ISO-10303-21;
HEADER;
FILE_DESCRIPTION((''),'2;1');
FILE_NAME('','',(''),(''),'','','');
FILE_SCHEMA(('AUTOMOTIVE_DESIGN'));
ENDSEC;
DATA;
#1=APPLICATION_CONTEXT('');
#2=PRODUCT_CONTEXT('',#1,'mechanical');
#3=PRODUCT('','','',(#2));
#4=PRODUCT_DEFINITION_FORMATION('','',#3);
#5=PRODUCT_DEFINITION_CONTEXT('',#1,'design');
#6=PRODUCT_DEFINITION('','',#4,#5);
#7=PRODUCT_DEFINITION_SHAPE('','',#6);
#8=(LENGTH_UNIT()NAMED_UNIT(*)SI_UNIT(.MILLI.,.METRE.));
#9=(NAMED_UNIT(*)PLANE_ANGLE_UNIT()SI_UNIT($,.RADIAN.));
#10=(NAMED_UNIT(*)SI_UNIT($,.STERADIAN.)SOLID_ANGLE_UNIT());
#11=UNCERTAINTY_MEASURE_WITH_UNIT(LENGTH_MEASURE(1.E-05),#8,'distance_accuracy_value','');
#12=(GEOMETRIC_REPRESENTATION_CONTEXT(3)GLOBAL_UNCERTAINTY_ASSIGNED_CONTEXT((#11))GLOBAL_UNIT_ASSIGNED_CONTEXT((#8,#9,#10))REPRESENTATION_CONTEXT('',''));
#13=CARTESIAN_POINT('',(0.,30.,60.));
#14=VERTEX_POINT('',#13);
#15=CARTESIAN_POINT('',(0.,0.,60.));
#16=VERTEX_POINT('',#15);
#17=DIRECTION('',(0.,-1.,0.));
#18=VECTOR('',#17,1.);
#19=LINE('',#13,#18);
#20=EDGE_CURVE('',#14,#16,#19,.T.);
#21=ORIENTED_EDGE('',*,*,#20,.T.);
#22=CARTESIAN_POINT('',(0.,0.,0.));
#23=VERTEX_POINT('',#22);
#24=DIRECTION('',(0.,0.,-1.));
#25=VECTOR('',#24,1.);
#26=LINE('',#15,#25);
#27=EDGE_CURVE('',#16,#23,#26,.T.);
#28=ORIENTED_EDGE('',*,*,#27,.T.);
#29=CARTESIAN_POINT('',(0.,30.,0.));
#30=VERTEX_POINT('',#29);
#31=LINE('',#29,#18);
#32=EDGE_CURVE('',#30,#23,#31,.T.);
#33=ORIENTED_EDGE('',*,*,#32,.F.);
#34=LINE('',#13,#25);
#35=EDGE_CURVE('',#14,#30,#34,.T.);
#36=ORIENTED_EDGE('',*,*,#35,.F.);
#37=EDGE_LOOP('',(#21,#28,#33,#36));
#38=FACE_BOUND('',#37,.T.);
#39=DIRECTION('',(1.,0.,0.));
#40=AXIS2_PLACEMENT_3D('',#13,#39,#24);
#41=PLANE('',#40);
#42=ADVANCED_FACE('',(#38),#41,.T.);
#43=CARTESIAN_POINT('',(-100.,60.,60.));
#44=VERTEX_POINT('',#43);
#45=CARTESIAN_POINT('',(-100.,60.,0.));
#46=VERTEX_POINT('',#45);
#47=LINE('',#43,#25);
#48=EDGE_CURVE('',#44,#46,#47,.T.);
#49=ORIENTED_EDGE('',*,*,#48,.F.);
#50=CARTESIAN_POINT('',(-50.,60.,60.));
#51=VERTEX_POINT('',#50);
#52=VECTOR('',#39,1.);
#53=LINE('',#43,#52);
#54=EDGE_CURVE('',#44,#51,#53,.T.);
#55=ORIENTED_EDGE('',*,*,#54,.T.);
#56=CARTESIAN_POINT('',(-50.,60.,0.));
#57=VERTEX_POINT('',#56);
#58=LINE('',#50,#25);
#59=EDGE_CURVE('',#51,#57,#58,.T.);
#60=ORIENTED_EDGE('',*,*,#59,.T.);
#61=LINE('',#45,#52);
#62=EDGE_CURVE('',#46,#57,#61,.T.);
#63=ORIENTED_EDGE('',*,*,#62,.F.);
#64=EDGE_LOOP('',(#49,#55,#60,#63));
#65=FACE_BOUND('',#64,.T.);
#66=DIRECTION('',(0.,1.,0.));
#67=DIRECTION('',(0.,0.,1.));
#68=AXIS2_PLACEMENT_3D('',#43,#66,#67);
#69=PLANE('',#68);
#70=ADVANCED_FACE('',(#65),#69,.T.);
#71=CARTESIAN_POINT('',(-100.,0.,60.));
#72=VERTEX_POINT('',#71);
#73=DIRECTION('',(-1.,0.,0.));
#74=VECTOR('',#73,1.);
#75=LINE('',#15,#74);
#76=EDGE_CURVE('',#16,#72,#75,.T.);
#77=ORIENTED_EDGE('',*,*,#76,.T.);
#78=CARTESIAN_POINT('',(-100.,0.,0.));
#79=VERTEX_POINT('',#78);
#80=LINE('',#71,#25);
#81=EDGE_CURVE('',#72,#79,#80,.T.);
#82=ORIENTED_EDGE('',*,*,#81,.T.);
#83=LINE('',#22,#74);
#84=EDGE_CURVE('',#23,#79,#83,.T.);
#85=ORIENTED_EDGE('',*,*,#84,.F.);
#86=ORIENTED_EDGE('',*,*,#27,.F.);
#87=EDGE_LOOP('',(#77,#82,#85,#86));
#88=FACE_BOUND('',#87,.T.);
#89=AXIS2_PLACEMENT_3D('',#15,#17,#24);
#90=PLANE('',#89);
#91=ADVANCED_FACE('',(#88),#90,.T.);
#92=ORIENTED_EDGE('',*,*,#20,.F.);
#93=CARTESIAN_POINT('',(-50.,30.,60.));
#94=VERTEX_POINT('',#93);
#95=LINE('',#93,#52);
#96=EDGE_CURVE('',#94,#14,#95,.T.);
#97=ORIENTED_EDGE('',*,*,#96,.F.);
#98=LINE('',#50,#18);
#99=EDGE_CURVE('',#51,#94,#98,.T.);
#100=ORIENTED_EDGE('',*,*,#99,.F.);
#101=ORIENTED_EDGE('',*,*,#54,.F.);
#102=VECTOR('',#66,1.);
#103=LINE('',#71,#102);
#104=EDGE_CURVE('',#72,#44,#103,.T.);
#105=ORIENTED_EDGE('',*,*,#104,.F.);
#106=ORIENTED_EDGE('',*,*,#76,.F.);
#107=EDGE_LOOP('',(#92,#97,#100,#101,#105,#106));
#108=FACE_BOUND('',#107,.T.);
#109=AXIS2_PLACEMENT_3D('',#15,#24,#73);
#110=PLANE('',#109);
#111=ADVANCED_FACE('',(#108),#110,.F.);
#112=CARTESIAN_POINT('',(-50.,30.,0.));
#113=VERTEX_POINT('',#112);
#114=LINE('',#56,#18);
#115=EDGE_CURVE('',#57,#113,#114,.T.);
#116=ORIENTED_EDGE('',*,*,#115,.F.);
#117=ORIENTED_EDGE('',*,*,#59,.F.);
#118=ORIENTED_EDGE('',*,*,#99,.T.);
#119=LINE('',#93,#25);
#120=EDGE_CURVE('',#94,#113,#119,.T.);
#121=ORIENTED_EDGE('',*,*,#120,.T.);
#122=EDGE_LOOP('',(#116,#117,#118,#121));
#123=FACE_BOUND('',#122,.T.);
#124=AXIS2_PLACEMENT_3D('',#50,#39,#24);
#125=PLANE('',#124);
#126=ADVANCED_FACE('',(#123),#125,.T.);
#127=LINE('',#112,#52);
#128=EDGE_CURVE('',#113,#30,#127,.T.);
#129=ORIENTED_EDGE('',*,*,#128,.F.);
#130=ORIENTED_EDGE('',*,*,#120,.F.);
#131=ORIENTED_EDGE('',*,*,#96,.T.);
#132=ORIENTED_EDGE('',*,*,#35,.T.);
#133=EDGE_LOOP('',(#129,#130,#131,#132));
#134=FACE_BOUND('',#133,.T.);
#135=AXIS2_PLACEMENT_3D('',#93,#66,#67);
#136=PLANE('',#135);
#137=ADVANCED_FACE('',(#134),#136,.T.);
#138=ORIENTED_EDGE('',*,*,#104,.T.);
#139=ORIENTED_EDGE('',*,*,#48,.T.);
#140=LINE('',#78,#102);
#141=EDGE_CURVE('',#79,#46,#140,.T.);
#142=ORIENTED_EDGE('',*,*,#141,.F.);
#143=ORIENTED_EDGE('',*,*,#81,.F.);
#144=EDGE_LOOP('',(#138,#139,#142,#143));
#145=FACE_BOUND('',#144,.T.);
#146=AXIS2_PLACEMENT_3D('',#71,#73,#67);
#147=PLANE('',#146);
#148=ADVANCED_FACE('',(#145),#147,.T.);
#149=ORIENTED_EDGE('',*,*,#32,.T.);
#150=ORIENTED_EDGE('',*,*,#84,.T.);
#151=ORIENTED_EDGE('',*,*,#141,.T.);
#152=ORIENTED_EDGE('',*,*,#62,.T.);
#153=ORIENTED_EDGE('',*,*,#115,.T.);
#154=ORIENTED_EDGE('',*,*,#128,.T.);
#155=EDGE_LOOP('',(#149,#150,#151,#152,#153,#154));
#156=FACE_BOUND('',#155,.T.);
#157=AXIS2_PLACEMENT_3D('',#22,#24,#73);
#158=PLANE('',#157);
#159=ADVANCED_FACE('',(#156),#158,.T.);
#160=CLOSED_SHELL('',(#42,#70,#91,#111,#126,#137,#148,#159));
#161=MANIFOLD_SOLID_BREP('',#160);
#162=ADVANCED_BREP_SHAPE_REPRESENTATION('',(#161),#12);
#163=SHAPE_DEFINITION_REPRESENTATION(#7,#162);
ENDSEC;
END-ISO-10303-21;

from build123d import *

# Parameters (mm, degrees)
RESSALTO_EXTRUS_O1_DEPTH = 60


with BuildPart() as part:
    # Esboço2 → Ressalto-extrusão1 (new body)
    with BuildSketch(Plane.XY):
        Polygon((0, 0), (-100, 0), (-100, 60), (-50, 60), (-50, 30), (0, 30), align=None)
    extrude(amount=RESSALTO_EXTRUS_O1_DEPTH)


solid = part.part
